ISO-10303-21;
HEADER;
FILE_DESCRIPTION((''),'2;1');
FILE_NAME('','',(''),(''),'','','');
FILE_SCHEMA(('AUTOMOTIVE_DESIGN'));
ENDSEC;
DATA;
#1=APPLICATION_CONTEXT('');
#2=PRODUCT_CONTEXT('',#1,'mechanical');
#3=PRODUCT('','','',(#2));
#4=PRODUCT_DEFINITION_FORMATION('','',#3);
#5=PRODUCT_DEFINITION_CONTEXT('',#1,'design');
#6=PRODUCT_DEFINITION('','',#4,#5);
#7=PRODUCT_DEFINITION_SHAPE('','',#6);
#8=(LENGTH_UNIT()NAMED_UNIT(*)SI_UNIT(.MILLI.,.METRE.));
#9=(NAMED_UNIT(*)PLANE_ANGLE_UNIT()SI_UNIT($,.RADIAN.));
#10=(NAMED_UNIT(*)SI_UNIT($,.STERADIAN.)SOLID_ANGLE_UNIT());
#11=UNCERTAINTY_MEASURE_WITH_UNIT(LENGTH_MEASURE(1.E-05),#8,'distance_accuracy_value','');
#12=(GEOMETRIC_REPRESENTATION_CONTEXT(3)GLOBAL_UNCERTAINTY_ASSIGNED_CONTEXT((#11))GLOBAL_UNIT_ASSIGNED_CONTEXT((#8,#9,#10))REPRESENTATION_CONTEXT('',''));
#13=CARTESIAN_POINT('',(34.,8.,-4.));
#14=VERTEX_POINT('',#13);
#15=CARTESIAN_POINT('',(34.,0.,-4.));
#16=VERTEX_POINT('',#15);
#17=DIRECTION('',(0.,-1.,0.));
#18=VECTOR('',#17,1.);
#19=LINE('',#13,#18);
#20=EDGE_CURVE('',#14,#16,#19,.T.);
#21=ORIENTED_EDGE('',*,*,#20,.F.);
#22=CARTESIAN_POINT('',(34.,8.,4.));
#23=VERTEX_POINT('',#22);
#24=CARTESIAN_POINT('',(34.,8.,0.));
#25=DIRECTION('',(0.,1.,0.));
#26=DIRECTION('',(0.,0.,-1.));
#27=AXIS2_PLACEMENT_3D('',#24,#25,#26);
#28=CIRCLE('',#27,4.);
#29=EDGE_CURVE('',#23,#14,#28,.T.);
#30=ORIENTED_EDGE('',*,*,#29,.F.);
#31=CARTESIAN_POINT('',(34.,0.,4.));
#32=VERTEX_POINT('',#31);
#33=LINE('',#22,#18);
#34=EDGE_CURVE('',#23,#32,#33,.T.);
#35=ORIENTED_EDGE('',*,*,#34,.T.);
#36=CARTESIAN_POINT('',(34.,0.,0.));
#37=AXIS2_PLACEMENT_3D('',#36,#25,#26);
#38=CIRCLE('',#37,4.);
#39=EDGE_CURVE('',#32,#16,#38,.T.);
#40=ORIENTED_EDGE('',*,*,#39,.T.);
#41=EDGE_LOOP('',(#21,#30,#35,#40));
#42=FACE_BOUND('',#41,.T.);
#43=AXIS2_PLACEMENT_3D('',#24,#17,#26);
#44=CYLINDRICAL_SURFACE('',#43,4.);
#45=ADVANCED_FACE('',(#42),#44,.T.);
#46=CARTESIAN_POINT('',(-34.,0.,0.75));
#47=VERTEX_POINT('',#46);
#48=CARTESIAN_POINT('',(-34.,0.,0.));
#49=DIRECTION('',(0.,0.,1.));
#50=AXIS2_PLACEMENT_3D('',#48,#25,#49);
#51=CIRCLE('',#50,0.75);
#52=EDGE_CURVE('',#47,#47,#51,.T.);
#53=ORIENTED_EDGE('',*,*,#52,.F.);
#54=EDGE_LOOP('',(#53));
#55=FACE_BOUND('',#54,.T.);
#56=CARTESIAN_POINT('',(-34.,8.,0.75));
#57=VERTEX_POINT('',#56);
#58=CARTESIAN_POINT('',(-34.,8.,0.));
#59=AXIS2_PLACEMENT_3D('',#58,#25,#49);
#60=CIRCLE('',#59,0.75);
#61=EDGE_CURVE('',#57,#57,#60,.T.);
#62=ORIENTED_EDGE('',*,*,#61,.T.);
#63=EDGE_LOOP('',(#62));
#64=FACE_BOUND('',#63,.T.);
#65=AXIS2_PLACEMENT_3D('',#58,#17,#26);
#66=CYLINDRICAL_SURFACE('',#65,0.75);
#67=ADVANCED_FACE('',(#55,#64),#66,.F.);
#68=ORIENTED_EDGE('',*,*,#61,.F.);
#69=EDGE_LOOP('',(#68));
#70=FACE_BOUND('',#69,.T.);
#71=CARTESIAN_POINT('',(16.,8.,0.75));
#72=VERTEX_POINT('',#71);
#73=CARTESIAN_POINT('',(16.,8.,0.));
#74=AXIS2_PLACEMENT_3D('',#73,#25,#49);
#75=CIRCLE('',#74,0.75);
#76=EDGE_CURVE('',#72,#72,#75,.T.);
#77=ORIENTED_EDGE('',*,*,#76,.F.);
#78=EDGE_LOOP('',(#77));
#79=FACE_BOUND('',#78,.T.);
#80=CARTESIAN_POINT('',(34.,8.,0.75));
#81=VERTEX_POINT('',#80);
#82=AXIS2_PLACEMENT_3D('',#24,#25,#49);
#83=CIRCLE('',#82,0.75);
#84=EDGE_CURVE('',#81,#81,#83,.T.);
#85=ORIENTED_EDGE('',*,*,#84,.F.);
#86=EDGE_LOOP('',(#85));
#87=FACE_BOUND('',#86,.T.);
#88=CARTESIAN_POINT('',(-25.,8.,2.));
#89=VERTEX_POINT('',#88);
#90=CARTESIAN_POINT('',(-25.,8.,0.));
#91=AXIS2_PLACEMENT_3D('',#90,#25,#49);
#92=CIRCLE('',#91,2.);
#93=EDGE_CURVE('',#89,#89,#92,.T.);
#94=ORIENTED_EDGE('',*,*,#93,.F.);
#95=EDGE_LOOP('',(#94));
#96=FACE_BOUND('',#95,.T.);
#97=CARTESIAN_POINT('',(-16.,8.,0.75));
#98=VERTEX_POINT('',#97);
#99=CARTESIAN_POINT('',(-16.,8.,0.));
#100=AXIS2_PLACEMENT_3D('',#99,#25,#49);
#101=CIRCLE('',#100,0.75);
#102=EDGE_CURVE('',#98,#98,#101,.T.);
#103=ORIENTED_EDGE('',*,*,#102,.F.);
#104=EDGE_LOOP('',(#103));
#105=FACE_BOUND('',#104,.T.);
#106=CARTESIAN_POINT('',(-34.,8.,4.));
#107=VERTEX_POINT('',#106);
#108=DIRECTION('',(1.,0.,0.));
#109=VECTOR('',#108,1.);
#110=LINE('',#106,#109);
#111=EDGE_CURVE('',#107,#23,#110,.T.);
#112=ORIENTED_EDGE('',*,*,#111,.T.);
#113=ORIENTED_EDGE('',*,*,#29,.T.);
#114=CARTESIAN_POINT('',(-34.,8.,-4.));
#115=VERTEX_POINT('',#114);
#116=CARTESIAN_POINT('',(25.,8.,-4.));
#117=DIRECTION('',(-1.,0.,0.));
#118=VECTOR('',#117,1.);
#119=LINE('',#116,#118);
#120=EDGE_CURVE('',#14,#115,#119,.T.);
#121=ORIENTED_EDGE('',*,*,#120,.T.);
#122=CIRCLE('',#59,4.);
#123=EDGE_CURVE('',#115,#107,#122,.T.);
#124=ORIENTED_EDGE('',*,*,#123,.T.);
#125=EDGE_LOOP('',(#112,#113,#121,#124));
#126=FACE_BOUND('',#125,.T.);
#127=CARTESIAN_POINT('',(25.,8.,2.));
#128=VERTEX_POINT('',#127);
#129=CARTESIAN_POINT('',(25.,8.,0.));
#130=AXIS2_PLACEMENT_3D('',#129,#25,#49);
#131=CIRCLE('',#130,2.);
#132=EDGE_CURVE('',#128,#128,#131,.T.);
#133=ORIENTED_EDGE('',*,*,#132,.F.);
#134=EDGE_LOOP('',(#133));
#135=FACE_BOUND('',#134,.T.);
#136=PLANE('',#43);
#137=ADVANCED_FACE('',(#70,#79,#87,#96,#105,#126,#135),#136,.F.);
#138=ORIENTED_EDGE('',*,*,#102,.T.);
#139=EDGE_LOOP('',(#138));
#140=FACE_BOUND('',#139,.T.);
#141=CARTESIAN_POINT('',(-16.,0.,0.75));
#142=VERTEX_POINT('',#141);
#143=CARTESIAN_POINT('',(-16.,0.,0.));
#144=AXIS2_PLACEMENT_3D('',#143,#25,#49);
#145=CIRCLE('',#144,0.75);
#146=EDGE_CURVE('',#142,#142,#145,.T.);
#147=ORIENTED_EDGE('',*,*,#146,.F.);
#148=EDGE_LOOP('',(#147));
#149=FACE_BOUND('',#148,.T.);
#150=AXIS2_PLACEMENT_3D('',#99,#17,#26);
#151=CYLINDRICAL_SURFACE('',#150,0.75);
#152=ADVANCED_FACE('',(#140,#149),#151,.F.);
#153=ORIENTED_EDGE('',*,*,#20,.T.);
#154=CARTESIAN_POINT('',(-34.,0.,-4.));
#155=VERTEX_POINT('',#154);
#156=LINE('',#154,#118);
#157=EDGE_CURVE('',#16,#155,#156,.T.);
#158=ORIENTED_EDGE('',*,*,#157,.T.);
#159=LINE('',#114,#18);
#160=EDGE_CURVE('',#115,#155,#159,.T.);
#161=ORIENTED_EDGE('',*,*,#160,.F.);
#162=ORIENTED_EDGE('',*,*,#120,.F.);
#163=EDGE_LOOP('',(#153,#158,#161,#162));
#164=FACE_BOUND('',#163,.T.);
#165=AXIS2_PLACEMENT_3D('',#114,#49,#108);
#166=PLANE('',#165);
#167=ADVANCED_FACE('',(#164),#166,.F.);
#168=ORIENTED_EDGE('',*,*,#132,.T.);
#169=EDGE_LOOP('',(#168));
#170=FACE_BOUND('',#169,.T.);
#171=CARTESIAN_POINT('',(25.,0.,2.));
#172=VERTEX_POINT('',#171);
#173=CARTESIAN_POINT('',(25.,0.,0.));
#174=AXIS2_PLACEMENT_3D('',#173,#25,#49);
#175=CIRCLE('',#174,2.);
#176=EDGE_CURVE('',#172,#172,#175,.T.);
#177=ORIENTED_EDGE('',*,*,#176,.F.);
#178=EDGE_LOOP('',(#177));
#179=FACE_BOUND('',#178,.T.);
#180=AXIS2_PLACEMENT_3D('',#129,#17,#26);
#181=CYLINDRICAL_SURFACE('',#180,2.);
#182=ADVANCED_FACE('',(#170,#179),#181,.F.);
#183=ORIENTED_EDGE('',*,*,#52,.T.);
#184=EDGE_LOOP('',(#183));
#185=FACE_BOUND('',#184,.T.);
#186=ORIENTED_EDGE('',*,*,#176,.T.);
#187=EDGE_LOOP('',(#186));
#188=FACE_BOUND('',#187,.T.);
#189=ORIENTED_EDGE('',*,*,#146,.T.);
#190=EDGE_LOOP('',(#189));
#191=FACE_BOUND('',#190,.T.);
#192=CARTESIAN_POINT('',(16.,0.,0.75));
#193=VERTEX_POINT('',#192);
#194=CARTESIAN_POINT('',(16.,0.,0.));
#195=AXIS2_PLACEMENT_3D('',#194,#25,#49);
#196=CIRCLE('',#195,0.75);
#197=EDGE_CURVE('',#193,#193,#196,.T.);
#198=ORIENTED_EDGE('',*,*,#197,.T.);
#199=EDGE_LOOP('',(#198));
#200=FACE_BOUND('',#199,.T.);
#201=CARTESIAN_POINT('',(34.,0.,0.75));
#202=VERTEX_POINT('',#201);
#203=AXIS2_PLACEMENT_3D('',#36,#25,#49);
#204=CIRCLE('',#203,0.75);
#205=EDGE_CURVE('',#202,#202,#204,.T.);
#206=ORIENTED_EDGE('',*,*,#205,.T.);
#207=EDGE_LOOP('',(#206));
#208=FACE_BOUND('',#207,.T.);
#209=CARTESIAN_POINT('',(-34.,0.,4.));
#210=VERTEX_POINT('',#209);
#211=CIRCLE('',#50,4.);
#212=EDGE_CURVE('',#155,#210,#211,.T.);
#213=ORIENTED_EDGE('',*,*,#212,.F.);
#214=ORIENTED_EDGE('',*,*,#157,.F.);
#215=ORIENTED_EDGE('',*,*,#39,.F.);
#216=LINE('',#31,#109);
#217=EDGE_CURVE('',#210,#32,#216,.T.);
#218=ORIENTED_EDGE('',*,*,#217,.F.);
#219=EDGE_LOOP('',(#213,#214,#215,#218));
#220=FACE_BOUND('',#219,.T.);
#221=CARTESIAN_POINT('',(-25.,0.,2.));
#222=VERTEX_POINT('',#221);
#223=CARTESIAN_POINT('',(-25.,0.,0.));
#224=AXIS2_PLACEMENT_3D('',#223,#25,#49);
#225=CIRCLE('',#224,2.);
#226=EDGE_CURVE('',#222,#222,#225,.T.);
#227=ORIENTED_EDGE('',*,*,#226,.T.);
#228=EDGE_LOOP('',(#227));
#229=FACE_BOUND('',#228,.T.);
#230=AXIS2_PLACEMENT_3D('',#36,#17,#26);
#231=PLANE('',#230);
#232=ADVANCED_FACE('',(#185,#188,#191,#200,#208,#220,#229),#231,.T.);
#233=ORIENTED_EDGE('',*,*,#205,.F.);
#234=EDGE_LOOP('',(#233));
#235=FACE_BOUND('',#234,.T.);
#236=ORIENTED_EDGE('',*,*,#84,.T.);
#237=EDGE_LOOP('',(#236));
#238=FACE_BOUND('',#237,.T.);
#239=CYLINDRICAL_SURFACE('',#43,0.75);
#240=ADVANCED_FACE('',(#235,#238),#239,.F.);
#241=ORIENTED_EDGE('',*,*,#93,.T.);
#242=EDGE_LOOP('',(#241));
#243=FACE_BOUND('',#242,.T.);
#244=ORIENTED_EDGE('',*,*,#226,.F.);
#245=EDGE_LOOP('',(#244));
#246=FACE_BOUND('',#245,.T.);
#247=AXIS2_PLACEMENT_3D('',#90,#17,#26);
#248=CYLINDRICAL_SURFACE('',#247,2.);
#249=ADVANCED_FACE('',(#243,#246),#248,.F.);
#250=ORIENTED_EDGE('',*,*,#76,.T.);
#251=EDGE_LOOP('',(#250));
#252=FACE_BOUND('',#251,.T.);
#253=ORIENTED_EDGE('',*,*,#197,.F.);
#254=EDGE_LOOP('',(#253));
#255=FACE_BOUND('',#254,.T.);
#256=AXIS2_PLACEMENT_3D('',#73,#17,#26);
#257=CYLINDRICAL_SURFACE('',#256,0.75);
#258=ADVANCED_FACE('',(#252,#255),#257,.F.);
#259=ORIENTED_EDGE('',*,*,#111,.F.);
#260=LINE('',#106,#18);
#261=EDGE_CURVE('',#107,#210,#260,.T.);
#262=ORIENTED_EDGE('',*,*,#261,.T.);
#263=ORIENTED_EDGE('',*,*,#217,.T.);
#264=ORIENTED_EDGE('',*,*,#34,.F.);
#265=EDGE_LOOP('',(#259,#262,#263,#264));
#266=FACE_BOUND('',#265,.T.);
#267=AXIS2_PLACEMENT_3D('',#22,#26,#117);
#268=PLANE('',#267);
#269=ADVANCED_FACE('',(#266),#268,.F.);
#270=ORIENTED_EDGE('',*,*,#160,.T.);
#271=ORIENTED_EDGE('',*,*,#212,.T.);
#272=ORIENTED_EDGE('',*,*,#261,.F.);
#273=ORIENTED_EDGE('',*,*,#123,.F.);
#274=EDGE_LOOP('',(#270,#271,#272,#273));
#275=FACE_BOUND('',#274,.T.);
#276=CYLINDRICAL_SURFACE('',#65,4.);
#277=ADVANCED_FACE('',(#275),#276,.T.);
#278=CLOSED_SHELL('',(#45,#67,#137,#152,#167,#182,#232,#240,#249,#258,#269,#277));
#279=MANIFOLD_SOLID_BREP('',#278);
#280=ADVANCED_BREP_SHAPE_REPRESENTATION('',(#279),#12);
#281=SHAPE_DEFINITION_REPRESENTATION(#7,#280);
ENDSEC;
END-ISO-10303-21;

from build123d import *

# Parameters (mm, degrees)
SKETCH_1_R      = 0.75
SKETCH_1_R_2    = 2
EXTRUDE_1_DEPTH = 8


with BuildPart() as part:
    # 草圖1 → 填料-伸長1 (new body)
    with BuildSketch(Plane(origin=(0, 0, 0), x_dir=(1, 0, 0), z_dir=(0, 1, 0))):
        with BuildLine():
            Line((-0.414012206, -4), (25, -4))
            Line((25, -4), (34, -4))
            ThreePointArc((34, -4), (38, 0), (34, 4))
            Line((34, 4), (25, 4))
            Line((25, 4), (-0.414012206, 4))
            Line((-0.414012206, 4), (-34, 4))
            ThreePointArc((-34, 4), (-38, 0), (-34, -4))
            Line((-34, -4), (-0.414012206, -4))
        make_face()
        with Locations(Location((34, 0, 0), (0, 0, 270))):
            Circle(SKETCH_1_R, mode=Mode.SUBTRACT)
        with Locations(Location((-34, 0, 0), (0, 0, 270))):
            Circle(SKETCH_1_R, mode=Mode.SUBTRACT)
        with Locations(Location((-25, 0, 0), (0, 0, 270))):
            Circle(SKETCH_1_R_2, mode=Mode.SUBTRACT)
        with Locations(Location((25, 0, 0), (0, 0, 270))):
            Circle(SKETCH_1_R_2, mode=Mode.SUBTRACT)
        with Locations(Location((-16, 0, 0), (0, 0, 270))):
            Circle(SKETCH_1_R, mode=Mode.SUBTRACT)
        with Locations(Location((16, 0, 0), (0, 0, 270))):
            Circle(SKETCH_1_R, mode=Mode.SUBTRACT)
    extrude(amount=EXTRUDE_1_DEPTH)


solid = part.part
